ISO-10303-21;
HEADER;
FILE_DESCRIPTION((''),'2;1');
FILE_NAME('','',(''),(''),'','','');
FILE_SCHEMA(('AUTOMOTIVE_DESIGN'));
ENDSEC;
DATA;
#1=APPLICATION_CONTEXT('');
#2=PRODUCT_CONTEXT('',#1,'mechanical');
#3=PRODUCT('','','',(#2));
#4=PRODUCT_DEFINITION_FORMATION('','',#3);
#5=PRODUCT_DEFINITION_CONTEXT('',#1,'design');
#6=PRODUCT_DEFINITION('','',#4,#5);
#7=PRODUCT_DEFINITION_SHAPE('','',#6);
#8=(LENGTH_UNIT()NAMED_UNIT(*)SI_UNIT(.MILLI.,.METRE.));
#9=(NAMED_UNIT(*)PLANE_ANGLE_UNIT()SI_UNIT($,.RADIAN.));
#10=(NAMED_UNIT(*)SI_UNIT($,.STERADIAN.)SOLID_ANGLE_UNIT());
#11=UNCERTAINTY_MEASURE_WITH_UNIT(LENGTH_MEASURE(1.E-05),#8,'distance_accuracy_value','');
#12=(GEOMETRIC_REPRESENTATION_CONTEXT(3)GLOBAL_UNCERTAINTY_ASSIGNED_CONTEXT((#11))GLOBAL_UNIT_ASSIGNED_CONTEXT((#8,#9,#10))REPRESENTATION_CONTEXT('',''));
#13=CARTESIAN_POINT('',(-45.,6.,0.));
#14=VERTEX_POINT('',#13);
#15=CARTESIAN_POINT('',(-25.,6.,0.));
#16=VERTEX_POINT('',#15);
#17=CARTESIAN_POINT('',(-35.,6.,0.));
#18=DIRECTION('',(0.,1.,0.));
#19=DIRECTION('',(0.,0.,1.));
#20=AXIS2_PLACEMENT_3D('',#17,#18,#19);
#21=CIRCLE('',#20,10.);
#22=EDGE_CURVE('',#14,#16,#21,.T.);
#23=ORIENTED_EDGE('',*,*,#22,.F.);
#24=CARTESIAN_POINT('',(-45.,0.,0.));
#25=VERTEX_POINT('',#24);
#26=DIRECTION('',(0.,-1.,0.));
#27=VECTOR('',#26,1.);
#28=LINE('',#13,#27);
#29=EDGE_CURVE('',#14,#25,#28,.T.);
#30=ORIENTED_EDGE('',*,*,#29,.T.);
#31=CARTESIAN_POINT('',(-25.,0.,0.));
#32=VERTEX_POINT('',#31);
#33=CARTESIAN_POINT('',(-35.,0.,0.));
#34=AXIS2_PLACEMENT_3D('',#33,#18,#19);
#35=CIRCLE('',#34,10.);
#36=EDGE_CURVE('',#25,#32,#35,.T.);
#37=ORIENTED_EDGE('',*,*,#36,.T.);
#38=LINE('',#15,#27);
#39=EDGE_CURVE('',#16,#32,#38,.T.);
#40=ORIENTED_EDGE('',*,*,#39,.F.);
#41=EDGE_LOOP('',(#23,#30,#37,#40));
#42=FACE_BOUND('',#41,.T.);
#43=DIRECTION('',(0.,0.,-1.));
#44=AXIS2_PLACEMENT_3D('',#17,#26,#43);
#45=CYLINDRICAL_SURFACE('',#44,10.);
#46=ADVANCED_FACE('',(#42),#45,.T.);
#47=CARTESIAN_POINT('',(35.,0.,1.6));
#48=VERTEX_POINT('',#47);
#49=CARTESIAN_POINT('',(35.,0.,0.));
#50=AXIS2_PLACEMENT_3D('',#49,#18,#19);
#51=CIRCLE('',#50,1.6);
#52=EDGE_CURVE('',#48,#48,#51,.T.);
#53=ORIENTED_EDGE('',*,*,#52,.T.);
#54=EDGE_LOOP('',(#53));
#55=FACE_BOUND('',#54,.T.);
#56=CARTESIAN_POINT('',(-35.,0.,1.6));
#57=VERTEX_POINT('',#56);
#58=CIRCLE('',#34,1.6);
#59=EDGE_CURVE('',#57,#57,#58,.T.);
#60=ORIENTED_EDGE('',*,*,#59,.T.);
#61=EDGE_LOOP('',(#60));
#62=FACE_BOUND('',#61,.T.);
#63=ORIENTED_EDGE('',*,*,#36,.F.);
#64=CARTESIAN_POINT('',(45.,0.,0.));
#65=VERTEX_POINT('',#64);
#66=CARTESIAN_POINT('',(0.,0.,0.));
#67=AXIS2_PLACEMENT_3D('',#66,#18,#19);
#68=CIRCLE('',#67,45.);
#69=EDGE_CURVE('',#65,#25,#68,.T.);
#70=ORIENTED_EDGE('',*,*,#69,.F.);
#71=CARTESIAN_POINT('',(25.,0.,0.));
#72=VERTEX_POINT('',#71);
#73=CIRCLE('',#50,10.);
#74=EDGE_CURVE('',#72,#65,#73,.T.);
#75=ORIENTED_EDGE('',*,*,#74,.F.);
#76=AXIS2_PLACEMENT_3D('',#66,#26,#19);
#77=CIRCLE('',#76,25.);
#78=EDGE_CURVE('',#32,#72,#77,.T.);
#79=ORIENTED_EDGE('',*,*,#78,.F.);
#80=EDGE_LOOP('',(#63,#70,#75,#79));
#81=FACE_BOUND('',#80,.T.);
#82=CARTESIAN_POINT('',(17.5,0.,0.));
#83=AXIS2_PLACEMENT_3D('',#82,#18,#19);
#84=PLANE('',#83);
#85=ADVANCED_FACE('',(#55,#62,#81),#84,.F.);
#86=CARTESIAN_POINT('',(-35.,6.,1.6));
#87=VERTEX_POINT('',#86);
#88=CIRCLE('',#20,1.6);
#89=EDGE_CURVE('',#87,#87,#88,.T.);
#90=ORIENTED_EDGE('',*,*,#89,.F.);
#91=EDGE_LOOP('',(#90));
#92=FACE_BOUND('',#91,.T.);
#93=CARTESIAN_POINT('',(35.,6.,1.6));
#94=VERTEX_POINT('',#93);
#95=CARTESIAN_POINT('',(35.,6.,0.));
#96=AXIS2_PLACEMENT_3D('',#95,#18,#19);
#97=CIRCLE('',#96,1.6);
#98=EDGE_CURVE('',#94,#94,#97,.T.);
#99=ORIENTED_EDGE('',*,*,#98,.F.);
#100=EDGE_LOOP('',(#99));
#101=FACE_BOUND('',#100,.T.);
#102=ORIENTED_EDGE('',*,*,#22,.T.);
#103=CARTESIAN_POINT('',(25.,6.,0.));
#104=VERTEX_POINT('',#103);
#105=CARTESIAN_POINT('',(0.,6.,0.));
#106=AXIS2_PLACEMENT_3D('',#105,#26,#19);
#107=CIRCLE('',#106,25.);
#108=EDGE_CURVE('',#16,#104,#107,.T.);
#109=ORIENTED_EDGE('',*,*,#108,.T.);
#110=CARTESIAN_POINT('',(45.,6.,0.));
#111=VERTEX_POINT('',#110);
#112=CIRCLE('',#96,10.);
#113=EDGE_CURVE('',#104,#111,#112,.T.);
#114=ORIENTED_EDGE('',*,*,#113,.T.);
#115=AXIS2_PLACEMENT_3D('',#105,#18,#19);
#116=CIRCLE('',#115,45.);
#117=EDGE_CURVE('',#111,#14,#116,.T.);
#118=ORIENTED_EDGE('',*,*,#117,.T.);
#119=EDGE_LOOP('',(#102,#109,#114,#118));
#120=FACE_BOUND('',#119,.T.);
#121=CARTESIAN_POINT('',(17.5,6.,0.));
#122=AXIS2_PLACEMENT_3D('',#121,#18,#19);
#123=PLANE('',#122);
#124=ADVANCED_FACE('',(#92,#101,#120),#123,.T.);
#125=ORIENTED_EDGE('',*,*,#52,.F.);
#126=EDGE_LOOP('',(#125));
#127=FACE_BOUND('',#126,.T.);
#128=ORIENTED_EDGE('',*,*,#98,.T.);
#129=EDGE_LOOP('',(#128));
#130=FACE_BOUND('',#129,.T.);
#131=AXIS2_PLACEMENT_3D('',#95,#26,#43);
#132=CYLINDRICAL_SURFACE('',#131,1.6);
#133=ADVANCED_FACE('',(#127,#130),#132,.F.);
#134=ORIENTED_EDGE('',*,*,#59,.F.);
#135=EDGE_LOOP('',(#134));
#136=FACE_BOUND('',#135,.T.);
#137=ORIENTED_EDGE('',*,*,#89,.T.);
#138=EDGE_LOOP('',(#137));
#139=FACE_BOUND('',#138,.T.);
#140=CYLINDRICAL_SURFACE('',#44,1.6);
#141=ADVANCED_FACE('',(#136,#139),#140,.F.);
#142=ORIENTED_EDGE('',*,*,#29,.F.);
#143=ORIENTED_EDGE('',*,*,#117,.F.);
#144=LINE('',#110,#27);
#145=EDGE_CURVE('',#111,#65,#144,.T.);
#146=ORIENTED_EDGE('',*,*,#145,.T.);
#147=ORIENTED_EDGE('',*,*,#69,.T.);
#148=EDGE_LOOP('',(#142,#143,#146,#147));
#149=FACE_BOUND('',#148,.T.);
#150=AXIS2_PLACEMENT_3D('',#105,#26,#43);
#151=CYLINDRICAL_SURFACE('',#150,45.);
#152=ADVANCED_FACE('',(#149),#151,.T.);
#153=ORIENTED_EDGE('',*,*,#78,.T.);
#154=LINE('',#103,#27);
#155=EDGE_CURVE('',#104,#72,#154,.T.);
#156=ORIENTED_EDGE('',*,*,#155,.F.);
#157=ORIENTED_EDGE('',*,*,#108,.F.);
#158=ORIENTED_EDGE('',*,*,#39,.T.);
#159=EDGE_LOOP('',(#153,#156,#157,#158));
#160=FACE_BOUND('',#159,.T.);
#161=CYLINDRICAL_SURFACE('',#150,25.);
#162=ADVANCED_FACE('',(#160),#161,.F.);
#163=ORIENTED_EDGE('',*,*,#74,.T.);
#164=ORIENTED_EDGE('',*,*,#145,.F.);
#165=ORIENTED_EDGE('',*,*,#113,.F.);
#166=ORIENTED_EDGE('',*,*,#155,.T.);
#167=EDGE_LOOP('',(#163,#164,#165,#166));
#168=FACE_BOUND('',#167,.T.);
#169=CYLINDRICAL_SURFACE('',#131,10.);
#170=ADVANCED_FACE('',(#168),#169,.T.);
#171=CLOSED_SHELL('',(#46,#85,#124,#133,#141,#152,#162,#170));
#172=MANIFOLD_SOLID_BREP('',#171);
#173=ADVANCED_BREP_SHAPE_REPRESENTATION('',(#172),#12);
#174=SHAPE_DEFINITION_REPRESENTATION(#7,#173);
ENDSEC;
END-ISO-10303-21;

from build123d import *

# Parameters (mm, degrees)
SKETCH1_R           = 1.6
BOSS_EXTRUDE1_DEPTH = 6


with BuildPart() as part:
    # Sketch1 → Boss-Extrude1 (new body)
    with BuildSketch(Plane(origin=(0, 0, 0), x_dir=(1, 0, 0), z_dir=(0, 1, 0))):
        with BuildLine():
            ThreePointArc((25, 0), (0, 25), (-25, 0))
            ThreePointArc((-25, 0), (-35, -10), (-45, 0))
            ThreePointArc((-45, 0), (0, 45), (45, 0))
            ThreePointArc((45, 0), (35, -10), (25, 0))
        make_face()
        with Locations(Location((-35, 0, 0), (0, 0, 270))):
            Circle(SKETCH1_R, mode=Mode.SUBTRACT)
        with Locations(Location((35, 0, 0), (0, 0, 270))):
            Circle(SKETCH1_R, mode=Mode.SUBTRACT)
    extrude(amount=BOSS_EXTRUDE1_DEPTH)


solid = part.part
